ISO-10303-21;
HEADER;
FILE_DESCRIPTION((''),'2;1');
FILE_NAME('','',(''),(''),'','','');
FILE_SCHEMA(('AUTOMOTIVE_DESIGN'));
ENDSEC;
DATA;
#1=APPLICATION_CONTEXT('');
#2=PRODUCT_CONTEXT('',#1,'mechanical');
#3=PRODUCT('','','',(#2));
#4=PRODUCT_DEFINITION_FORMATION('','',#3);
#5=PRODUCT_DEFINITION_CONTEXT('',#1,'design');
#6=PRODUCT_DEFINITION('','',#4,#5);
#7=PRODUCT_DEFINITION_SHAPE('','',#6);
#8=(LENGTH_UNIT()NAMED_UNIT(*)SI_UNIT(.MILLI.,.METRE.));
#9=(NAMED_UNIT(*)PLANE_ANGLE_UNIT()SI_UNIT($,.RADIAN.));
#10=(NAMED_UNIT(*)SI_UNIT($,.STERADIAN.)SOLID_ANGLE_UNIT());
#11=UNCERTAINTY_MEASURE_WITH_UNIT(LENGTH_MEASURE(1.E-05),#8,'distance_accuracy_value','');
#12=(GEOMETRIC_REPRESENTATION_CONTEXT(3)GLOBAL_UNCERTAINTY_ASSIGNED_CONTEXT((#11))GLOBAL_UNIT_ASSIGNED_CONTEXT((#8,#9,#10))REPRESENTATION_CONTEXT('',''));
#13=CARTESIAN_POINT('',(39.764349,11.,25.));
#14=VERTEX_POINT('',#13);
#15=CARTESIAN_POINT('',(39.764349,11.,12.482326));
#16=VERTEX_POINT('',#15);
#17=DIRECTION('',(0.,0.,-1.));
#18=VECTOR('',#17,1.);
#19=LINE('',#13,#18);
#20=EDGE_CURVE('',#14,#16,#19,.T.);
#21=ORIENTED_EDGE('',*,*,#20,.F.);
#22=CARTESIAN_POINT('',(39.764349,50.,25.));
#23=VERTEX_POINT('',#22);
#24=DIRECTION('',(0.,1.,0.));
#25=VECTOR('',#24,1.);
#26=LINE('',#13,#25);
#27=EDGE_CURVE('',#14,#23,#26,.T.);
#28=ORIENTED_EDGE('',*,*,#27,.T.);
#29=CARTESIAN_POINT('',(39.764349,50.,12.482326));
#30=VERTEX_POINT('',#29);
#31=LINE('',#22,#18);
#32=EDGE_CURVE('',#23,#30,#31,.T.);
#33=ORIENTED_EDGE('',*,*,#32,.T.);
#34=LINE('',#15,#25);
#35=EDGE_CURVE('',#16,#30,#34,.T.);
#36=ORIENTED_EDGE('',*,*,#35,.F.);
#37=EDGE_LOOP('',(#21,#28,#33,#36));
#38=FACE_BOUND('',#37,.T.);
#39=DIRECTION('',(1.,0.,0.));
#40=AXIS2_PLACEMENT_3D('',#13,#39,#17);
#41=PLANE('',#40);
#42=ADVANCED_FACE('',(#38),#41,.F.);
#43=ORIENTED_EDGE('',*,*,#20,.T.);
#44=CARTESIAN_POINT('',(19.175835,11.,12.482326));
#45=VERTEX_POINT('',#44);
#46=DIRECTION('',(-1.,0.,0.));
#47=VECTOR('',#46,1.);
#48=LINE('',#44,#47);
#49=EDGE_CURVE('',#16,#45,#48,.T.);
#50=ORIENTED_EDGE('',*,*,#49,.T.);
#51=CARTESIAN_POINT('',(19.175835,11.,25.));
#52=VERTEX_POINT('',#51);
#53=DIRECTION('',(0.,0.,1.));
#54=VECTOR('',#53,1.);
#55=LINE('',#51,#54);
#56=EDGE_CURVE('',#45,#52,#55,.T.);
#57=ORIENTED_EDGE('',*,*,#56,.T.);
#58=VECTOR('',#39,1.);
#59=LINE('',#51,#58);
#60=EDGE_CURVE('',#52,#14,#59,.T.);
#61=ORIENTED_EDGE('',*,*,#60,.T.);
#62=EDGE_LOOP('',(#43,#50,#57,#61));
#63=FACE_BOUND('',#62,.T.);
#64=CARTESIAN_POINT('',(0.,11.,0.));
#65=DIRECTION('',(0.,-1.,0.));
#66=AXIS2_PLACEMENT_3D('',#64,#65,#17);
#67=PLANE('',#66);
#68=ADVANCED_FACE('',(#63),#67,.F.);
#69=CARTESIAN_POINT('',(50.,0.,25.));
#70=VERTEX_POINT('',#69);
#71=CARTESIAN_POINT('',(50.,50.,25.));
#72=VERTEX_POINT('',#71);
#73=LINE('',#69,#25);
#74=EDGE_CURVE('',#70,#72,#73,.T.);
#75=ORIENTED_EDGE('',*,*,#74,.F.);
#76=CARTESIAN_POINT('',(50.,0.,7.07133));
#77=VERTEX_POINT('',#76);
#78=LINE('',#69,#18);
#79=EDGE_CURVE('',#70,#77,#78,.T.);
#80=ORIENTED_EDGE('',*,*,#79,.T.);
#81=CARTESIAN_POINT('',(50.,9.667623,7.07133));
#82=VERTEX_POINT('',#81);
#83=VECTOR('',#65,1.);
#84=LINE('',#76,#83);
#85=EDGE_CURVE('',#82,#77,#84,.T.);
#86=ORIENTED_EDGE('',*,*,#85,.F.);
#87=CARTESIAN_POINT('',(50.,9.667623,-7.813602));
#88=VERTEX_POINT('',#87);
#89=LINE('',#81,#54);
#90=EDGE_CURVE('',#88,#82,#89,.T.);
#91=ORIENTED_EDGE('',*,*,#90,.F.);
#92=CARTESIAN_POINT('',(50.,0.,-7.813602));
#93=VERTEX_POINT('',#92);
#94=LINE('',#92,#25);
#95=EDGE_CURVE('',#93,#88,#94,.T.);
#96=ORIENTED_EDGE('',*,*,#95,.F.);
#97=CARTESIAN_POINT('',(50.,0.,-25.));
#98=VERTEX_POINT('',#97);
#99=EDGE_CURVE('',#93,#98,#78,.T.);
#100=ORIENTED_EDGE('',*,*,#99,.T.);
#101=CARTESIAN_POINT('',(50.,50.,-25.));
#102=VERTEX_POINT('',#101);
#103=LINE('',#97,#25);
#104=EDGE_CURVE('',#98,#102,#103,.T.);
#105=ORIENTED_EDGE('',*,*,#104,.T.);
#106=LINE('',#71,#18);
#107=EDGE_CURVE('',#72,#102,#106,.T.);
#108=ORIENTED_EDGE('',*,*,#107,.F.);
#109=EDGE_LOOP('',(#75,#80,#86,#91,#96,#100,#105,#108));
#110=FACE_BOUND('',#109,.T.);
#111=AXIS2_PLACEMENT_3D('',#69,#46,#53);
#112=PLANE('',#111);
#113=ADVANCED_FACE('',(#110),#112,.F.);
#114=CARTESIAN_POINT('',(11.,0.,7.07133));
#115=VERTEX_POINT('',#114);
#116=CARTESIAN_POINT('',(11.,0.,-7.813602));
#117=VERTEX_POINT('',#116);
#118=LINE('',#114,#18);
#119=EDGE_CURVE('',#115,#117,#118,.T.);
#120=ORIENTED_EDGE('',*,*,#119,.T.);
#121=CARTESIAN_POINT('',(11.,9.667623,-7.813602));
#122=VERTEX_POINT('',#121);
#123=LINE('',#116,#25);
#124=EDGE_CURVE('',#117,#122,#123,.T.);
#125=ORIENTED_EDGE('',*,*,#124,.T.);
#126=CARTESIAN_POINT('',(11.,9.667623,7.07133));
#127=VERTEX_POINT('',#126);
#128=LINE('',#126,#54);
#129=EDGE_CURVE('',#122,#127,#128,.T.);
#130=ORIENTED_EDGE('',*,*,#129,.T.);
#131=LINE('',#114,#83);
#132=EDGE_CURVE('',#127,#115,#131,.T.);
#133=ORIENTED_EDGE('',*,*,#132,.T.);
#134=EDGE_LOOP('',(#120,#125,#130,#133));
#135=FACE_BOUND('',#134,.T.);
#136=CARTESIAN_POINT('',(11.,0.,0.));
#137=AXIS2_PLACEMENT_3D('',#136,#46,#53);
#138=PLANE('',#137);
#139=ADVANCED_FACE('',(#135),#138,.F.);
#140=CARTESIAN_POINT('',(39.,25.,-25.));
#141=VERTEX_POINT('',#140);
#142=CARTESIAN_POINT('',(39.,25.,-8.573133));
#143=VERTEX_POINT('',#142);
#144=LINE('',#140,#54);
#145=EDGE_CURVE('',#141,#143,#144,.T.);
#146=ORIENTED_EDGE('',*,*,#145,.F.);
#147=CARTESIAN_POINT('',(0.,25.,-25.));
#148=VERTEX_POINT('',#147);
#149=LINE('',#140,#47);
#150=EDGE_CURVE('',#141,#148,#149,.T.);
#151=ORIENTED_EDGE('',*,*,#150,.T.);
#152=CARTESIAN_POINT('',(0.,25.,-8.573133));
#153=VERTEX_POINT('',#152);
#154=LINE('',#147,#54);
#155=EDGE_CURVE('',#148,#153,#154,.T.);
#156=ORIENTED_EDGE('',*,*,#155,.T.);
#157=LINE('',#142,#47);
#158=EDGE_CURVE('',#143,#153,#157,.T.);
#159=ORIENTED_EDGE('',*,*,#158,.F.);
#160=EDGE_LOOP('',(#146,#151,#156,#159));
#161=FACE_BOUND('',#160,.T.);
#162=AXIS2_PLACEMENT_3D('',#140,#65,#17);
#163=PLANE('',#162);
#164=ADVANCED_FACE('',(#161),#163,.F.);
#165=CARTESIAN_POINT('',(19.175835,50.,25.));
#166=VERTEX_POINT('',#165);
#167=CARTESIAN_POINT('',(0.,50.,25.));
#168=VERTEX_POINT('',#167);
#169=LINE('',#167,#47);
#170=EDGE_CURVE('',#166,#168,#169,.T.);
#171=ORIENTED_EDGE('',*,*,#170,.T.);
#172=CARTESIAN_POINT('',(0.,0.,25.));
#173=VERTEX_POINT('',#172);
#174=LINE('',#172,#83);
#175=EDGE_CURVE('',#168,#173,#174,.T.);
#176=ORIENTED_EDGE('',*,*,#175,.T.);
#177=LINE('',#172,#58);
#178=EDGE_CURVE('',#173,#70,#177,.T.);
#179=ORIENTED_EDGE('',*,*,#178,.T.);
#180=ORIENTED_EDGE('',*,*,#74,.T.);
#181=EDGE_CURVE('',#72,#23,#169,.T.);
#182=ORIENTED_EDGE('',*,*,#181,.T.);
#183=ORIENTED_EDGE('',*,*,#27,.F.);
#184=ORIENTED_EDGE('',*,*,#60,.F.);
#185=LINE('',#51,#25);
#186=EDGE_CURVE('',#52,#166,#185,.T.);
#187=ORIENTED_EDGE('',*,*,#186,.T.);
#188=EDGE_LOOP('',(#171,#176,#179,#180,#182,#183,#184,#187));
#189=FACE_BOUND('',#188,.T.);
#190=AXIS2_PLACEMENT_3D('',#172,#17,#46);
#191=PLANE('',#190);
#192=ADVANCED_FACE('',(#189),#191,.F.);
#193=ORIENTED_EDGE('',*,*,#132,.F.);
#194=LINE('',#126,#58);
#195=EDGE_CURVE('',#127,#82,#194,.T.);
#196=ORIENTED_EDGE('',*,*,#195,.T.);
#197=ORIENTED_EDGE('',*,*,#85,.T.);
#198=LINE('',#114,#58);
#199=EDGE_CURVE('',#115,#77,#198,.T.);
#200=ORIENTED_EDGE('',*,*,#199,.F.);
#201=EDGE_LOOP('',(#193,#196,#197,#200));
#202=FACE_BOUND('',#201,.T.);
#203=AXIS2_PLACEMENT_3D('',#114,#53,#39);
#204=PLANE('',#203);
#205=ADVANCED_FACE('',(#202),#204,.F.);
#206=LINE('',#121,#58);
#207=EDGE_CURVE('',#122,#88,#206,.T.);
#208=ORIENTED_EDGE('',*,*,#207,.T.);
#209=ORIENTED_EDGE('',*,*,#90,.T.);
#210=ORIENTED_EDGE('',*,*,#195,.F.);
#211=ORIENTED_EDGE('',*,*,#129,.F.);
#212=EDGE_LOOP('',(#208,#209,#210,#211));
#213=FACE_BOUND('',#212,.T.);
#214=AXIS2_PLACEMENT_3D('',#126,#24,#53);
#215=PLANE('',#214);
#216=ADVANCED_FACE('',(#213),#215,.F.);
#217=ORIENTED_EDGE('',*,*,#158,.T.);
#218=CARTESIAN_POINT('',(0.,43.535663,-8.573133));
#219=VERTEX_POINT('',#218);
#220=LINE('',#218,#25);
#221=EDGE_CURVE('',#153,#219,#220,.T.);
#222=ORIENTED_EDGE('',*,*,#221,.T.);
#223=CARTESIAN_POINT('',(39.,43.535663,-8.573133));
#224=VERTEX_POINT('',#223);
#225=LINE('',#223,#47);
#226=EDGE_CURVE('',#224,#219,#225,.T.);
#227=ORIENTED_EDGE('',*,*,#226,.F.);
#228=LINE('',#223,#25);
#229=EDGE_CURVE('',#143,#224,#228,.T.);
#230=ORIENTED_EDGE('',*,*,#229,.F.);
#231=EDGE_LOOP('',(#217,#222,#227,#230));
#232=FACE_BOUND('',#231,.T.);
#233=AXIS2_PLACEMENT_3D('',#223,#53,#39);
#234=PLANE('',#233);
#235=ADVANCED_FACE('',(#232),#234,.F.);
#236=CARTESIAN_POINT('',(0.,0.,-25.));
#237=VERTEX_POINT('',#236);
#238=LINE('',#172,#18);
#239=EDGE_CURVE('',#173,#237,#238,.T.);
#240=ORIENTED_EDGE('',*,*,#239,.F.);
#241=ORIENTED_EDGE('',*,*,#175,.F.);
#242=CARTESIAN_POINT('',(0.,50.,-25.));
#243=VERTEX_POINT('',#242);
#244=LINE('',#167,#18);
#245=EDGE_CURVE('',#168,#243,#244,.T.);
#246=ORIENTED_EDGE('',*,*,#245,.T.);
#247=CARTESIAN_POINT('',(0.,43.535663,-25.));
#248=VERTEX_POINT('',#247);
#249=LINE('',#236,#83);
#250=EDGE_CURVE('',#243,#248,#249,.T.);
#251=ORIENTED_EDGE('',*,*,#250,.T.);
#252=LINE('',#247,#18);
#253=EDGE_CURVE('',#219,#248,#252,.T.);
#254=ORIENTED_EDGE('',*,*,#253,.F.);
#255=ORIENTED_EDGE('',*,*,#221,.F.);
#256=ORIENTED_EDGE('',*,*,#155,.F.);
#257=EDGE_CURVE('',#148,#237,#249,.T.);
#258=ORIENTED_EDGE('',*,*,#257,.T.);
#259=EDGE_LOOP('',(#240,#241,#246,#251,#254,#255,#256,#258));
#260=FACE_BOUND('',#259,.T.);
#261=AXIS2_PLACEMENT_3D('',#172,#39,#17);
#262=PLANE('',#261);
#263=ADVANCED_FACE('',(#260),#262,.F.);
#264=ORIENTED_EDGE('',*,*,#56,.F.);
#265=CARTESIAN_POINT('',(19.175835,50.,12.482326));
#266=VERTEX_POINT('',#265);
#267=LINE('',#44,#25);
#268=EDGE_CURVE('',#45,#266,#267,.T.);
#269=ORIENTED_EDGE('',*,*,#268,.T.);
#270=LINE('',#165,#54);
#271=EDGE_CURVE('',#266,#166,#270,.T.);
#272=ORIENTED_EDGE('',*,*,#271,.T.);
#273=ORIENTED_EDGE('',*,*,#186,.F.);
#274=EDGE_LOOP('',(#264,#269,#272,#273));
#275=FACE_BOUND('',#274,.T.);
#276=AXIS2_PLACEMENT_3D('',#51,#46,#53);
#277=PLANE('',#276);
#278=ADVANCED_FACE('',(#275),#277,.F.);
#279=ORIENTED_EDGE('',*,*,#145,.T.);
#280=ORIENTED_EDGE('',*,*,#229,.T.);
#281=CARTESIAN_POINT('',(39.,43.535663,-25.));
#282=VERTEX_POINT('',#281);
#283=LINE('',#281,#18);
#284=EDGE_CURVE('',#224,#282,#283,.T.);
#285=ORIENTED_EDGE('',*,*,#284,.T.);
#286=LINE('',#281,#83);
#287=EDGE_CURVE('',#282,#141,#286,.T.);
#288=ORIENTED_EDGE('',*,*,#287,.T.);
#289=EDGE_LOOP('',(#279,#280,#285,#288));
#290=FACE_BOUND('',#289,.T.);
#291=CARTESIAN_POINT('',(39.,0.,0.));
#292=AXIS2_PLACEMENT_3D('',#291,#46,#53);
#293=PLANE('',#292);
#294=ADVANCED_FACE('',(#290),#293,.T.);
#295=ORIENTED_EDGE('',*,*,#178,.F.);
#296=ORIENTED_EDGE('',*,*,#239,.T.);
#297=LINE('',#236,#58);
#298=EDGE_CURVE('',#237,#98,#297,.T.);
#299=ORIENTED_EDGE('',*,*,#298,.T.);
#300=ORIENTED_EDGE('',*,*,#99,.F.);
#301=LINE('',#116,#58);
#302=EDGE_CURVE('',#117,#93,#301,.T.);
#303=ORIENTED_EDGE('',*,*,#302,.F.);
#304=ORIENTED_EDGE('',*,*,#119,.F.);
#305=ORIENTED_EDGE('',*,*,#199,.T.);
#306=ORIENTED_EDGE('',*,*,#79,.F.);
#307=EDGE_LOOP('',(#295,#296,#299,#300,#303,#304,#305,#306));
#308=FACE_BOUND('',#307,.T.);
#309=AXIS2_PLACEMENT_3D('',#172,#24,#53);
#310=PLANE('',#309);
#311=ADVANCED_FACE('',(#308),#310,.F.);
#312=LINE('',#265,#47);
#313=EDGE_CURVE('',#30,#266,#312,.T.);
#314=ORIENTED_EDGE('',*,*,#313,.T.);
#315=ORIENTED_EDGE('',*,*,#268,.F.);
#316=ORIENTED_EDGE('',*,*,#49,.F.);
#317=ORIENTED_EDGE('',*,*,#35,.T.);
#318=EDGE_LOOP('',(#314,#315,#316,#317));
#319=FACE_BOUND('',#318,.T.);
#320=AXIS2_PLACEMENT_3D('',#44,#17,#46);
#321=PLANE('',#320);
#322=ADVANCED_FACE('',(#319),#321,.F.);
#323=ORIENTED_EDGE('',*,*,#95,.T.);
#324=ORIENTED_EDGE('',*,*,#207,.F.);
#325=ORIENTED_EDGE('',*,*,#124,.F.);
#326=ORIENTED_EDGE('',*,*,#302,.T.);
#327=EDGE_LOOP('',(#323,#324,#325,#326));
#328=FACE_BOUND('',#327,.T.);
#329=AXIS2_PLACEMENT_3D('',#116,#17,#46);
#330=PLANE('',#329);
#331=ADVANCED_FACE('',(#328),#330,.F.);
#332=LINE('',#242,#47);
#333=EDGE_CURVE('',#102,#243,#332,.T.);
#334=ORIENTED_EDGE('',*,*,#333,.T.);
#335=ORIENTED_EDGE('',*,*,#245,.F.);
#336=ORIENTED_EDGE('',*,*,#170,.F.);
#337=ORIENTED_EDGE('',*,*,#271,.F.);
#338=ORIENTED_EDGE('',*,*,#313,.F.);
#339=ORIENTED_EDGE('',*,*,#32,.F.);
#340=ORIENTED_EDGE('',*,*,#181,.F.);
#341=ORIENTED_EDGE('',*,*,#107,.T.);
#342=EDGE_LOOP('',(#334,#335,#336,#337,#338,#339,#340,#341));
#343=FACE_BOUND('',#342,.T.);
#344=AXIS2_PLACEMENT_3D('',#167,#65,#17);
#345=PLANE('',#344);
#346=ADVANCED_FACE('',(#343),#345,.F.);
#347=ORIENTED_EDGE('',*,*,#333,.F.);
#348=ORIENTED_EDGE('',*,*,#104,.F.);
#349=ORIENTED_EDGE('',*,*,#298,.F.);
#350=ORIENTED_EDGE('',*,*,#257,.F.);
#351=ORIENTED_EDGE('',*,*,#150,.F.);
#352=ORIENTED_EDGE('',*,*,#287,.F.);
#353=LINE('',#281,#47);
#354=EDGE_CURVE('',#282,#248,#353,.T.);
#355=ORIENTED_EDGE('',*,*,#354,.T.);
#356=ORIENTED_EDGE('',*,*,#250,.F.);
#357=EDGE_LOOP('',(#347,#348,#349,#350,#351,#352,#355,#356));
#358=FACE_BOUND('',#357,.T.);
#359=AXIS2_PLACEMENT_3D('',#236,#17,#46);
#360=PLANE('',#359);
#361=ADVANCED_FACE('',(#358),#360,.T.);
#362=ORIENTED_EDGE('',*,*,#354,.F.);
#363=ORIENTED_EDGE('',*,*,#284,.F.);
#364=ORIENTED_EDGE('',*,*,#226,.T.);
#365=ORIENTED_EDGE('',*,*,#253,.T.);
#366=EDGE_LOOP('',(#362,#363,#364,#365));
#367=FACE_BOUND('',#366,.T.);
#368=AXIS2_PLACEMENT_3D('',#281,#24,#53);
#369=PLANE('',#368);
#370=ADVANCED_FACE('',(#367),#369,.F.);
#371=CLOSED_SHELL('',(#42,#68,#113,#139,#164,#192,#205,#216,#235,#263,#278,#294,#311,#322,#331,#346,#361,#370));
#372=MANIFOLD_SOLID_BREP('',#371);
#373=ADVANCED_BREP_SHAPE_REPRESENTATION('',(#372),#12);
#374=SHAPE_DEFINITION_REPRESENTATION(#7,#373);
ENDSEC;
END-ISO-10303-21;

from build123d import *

# Parameters (mm, degrees)
SKICA2_W                 = 50
SKICA2_H                 = 50
P_IDAT_VYSUNUT_M1_DEPTH  = 25
SKICA3_W                 = 20.588514008
SKICA3_H                 = 12.517673613
ODEBRAT_VYSUNUT_M1_DEPTH = 39
SKICA4_W                 = 14.884932554
SKICA4_H                 = 9.667623342
ODEBRAT_VYSUNUT_M2_DEPTH = 39
SKICA5_W                 = 16.426867347
SKICA5_H                 = 18.535662784
ODEBRAT_VYSUNUT_M3_DEPTH = 39


with BuildPart() as part:
    # Skica2 → Přidat vysunutím1 (new body, symmetric)
    with BuildSketch(Plane.XY):
        with Locations((25, 25)):
            Rectangle(SKICA2_W, SKICA2_H)
    extrude(amount=P_IDAT_VYSUNUT_M1_DEPTH, both=True)

    # Skica3 → Odebrat vysunutím1 (cut)
    with BuildSketch(Plane(origin=(0, 50, 0), x_dir=(1, 0, 0), z_dir=(0, 1, 0))):
        with Locations((29.470091853, -18.741163194)):
            Rectangle(SKICA3_W, SKICA3_H)
    extrude(amount=-ODEBRAT_VYSUNUT_M1_DEPTH, mode=Mode.SUBTRACT)

    # Skica4 → Odebrat vysunutím2 (cut)
    with BuildSketch(Plane(origin=(50, 0, 0), x_dir=(0, 0, -1), z_dir=(1, 0, 0))):
        with Locations((0.371136043, 4.833811671)):
            Rectangle(SKICA4_W, SKICA4_H)
    extrude(amount=-ODEBRAT_VYSUNUT_M2_DEPTH, mode=Mode.SUBTRACT)

    # Skica5 → Odebrat vysunutím3 (cut)
    with BuildSketch(Plane.ZY):
        with Locations((-16.786566327, 34.267831392)):
            Rectangle(SKICA5_W, SKICA5_H)
    extrude(amount=-ODEBRAT_VYSUNUT_M3_DEPTH, mode=Mode.SUBTRACT)


solid = part.part
